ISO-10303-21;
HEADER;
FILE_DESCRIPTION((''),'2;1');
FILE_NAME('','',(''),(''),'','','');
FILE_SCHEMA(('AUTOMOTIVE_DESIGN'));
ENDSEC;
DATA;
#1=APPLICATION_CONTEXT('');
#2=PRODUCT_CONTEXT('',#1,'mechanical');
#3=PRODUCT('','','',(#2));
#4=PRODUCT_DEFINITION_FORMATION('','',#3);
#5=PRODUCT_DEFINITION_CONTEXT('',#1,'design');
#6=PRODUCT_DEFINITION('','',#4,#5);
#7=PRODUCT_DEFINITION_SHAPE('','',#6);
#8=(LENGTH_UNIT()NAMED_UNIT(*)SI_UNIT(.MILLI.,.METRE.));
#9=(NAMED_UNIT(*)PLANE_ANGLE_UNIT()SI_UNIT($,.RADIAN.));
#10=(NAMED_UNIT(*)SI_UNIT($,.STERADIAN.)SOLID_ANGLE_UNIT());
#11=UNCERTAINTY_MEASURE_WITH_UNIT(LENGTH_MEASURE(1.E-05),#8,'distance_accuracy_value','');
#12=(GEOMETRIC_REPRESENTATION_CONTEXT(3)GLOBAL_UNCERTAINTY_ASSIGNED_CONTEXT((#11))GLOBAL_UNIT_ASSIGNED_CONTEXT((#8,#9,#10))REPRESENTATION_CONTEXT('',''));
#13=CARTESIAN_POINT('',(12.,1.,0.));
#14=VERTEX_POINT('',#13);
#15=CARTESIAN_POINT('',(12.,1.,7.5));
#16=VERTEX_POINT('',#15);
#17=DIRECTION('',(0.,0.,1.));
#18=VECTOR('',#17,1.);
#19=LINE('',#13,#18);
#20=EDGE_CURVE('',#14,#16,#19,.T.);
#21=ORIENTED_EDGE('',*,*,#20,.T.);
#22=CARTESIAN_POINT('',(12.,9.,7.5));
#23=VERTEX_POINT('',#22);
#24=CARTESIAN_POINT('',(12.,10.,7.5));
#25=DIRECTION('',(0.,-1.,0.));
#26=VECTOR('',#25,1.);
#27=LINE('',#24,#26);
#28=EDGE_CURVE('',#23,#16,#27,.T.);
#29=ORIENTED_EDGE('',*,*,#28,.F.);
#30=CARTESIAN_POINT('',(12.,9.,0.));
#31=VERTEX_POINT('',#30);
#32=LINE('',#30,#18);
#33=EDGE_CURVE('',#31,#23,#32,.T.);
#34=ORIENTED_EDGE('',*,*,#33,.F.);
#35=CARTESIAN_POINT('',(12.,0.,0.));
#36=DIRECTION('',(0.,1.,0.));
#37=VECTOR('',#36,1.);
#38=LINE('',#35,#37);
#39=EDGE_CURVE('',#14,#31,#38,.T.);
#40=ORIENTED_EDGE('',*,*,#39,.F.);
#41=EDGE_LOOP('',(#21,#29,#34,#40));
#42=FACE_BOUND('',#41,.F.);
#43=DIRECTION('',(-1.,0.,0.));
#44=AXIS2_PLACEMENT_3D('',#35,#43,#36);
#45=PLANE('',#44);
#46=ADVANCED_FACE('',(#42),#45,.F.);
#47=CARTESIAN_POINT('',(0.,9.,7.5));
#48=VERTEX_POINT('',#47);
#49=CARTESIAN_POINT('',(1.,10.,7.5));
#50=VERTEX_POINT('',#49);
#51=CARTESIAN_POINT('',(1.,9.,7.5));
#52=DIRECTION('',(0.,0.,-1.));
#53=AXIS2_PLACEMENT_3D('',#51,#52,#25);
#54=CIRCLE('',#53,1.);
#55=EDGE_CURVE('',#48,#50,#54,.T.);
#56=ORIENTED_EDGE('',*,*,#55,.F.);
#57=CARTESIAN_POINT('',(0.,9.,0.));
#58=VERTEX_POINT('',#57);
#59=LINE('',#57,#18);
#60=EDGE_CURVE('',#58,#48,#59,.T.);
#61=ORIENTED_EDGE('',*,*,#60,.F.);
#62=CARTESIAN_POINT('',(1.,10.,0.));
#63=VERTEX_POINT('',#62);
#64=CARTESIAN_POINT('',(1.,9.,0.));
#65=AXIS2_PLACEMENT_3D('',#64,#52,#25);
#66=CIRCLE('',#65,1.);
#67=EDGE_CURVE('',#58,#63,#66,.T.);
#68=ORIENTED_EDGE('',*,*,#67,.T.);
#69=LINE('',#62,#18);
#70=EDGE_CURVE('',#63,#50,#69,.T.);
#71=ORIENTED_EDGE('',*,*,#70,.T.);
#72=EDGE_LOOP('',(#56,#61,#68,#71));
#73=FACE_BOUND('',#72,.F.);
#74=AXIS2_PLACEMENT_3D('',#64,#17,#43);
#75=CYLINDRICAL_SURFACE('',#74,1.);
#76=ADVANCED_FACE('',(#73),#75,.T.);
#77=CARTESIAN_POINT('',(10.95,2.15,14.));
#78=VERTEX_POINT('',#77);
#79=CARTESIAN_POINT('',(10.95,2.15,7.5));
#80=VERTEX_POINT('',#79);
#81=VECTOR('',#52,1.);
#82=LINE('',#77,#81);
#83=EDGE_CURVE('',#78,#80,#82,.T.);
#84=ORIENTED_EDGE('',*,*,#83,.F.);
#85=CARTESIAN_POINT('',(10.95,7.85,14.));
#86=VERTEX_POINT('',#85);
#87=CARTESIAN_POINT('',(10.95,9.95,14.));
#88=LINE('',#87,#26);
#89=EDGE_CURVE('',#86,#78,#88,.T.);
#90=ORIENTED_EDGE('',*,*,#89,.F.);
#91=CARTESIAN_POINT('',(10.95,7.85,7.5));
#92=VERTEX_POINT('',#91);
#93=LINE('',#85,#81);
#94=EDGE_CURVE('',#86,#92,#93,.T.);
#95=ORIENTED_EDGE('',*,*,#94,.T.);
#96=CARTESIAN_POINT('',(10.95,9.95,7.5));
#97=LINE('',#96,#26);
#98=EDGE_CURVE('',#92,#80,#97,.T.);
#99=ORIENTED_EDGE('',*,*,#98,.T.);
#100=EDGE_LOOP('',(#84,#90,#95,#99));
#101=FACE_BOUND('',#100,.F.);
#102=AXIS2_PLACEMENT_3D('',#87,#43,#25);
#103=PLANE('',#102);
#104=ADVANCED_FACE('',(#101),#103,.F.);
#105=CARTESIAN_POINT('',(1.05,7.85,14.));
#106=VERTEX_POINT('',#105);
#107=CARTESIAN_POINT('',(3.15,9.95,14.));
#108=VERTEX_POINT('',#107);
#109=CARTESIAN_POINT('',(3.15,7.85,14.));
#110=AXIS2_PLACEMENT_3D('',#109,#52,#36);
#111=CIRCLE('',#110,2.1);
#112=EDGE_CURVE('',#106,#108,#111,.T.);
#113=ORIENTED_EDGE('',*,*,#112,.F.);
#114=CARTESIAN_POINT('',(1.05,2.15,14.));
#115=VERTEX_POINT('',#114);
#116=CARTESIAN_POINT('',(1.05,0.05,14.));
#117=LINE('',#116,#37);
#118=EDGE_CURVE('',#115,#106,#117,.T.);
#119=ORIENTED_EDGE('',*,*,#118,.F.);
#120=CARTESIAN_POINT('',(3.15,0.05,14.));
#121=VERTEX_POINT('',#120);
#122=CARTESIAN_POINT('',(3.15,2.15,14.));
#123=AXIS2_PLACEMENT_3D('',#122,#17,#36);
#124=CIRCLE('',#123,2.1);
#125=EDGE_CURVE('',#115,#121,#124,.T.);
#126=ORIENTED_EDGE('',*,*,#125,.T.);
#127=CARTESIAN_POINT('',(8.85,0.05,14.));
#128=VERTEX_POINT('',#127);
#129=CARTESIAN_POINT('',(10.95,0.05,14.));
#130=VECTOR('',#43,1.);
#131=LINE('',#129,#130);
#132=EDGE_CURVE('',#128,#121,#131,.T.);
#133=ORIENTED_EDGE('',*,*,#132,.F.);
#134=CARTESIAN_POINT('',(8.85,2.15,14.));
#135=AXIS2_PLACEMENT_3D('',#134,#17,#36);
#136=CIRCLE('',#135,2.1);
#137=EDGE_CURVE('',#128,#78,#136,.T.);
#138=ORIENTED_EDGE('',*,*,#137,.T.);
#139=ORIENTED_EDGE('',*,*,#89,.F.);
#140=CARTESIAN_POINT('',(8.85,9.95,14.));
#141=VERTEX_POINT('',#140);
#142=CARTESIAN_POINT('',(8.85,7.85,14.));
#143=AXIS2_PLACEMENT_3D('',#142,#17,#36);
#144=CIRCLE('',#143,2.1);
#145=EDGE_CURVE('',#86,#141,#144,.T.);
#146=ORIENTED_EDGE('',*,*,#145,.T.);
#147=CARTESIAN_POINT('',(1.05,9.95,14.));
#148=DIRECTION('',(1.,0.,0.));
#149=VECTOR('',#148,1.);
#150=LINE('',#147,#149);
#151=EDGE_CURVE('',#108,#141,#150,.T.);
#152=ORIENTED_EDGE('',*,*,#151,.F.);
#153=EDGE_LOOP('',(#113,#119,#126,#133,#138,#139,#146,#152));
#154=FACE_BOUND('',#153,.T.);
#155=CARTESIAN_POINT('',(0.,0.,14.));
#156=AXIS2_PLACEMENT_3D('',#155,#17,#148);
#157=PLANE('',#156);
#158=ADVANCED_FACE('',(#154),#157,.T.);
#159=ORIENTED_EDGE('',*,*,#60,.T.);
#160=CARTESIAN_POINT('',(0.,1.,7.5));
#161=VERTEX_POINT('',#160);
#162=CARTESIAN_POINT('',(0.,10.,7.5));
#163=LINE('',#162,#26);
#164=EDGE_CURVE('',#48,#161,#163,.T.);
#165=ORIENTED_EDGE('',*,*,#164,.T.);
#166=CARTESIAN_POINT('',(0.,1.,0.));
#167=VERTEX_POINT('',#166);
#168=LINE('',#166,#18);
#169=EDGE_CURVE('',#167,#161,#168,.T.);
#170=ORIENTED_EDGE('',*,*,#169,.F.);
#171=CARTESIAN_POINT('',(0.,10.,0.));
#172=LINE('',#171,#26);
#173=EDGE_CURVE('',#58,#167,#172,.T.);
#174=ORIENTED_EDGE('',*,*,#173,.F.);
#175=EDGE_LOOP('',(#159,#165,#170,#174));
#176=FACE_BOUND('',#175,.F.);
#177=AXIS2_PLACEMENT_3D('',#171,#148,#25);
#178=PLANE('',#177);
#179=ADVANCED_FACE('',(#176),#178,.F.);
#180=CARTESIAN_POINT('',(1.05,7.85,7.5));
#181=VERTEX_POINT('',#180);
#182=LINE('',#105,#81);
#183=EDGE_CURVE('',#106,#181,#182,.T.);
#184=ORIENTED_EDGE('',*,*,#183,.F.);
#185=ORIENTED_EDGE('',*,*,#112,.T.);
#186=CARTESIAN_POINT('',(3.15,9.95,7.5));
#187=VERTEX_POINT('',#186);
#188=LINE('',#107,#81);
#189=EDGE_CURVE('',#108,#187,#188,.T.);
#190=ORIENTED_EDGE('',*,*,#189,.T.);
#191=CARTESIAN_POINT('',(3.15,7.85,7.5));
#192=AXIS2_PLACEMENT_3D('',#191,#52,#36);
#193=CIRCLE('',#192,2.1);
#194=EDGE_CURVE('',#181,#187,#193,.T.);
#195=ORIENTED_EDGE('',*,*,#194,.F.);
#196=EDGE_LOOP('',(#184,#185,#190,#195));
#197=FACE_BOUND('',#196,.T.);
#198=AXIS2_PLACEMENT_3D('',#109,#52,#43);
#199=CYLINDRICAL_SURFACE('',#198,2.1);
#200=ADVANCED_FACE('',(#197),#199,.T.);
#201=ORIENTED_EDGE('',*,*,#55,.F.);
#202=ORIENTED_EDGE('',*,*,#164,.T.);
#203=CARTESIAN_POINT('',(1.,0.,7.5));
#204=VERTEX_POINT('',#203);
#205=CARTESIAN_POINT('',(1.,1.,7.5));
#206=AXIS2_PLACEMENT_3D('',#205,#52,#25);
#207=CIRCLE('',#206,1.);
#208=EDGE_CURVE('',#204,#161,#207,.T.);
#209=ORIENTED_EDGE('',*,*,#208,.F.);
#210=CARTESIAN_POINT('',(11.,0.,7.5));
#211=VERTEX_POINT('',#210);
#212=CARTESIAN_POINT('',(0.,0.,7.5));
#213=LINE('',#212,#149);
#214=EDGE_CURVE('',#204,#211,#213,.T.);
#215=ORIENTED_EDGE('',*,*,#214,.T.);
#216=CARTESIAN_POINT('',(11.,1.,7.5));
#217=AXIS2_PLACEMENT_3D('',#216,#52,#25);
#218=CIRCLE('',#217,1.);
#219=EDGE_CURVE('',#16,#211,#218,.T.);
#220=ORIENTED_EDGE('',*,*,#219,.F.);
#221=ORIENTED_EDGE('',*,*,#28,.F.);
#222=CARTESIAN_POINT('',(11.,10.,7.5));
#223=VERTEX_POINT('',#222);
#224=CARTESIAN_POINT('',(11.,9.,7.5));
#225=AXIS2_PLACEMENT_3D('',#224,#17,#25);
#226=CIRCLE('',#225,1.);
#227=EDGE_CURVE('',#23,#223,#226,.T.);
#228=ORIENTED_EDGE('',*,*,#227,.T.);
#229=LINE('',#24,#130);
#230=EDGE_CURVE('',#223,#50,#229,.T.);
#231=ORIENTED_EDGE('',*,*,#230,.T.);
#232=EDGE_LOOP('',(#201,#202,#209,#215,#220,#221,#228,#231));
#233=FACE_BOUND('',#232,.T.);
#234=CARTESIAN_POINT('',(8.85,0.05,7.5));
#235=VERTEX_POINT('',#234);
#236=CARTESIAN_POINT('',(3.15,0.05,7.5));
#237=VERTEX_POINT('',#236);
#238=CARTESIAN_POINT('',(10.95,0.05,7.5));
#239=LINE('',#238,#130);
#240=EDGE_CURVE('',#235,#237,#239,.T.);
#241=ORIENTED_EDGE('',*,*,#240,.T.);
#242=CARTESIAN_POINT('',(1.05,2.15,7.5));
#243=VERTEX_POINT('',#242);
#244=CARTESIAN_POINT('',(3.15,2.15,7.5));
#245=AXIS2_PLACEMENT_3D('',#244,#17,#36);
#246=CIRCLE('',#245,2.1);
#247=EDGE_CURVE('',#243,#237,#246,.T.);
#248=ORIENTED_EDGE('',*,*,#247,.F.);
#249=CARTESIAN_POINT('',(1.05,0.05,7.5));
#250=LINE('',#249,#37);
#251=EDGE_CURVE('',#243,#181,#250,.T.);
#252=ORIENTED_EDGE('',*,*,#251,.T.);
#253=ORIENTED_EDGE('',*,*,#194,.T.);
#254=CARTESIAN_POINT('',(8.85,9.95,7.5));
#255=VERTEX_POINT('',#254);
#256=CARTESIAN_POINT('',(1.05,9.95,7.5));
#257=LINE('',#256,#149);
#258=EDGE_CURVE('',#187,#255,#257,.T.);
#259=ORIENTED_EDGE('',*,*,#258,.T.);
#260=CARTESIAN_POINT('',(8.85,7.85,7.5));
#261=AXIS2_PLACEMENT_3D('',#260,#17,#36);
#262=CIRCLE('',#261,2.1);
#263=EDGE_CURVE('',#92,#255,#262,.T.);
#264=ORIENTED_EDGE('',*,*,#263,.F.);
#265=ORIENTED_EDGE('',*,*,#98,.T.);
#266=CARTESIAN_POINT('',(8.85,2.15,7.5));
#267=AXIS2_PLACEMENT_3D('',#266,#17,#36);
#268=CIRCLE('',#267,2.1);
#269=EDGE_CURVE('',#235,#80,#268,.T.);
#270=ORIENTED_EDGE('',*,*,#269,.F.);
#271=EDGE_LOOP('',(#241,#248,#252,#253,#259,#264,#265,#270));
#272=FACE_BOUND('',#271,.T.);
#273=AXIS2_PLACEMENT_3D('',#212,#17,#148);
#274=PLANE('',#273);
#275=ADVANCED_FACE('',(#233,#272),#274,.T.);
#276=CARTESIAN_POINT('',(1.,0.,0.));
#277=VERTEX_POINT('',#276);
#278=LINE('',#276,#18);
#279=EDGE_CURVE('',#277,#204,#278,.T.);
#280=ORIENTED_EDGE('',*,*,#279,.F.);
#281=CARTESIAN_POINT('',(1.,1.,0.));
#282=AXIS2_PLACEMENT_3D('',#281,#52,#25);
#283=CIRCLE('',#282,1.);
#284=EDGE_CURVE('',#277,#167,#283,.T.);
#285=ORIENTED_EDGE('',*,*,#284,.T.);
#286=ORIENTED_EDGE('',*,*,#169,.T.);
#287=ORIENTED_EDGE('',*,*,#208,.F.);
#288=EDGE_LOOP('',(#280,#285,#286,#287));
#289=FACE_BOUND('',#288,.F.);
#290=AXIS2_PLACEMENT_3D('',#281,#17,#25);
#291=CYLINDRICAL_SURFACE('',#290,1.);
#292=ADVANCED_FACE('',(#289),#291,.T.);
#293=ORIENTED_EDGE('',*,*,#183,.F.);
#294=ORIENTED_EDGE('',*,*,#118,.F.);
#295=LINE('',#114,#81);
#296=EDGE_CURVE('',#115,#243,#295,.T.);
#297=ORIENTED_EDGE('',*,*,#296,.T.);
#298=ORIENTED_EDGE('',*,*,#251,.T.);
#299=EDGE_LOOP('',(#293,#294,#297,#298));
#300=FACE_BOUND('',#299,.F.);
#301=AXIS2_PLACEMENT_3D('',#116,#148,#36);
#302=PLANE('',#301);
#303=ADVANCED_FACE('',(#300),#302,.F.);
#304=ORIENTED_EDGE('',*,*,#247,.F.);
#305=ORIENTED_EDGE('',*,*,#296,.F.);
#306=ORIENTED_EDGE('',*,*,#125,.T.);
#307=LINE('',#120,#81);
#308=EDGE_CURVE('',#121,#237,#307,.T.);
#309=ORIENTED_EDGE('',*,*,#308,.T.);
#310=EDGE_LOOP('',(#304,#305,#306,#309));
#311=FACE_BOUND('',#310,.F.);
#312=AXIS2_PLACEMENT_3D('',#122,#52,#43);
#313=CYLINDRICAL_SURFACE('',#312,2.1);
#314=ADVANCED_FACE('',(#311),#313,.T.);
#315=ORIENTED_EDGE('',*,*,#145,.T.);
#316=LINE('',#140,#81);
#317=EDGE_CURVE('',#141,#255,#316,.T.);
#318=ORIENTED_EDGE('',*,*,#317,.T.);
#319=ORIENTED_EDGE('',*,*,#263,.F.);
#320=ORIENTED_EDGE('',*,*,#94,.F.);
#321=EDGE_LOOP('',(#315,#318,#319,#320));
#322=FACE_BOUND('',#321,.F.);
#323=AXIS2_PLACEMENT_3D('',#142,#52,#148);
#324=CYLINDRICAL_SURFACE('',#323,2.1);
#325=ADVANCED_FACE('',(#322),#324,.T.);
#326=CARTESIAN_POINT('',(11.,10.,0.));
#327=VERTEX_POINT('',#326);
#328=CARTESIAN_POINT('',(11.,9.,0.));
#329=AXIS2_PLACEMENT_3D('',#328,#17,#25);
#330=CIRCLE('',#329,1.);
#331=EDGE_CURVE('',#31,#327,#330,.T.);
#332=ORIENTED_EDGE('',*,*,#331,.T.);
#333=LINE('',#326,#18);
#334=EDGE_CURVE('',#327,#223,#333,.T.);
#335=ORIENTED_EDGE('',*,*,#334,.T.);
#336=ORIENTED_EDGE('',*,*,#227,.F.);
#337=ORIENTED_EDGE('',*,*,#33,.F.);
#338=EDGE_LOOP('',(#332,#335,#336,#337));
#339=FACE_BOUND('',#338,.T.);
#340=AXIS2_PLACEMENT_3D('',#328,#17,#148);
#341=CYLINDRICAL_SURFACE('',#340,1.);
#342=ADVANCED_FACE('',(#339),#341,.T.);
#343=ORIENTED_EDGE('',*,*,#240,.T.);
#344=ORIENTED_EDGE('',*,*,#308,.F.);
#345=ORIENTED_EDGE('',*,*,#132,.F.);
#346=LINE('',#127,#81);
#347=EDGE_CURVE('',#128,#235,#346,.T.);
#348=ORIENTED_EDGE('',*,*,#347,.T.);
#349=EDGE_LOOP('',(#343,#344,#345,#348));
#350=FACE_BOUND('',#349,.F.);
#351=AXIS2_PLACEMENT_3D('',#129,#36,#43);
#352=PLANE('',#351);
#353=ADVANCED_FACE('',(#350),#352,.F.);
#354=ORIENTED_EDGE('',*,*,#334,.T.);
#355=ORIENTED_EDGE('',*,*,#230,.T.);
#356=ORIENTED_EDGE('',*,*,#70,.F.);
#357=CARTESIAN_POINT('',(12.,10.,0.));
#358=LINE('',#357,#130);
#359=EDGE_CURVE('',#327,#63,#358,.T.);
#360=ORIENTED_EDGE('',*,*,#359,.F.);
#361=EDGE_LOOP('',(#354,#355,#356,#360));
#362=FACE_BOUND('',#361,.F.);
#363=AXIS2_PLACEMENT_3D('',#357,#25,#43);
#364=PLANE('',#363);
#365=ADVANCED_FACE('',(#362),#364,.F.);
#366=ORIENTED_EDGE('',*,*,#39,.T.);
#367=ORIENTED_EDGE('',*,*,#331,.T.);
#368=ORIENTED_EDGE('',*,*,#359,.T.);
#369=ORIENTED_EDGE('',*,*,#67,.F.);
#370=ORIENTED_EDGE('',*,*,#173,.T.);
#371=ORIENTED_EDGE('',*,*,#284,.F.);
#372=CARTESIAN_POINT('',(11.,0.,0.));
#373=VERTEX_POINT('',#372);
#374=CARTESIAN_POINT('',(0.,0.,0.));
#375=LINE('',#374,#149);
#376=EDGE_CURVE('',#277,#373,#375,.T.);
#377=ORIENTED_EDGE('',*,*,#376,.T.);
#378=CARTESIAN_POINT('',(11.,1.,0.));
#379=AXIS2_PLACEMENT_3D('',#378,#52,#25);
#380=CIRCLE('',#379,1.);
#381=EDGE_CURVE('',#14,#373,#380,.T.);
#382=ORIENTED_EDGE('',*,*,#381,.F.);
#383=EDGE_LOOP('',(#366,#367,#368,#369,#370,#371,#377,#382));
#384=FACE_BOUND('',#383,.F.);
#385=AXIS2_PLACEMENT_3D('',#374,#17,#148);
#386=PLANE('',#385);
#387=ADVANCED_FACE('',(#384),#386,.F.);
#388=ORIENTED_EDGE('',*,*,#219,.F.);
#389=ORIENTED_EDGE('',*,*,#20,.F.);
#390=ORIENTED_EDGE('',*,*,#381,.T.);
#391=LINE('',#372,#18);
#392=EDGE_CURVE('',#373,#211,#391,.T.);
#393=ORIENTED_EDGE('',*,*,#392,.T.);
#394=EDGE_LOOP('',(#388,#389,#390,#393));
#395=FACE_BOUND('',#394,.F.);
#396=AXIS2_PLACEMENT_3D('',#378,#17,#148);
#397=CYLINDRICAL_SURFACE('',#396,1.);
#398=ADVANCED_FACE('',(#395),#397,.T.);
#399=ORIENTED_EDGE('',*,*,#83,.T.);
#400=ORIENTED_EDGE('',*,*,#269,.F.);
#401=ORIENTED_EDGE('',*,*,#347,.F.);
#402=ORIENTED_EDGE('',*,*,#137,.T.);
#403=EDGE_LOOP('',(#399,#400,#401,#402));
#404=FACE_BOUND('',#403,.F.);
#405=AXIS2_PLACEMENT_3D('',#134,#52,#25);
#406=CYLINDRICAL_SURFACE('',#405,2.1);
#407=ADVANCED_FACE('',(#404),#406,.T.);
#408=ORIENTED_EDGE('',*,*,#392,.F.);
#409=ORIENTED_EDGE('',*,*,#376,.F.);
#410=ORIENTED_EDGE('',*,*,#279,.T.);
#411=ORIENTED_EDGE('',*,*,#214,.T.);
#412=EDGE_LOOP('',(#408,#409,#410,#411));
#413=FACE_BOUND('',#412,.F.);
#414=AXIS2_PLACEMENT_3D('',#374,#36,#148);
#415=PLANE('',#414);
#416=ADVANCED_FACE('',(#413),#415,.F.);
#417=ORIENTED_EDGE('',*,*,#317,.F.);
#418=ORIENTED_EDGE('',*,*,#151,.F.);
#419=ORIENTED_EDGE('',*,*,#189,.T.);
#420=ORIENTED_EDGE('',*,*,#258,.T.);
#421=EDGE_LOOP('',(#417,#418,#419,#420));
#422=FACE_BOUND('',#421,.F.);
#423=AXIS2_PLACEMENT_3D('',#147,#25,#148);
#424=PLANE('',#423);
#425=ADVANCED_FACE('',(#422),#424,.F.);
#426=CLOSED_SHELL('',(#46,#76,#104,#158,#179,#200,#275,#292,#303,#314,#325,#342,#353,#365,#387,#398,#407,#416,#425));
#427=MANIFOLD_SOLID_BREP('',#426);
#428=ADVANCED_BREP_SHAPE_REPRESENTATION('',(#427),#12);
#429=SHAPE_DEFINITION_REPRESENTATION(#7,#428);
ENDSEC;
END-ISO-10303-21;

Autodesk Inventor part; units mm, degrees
ref_plane "YZ Plane" through (0, 0, 0) normal (1, 0, 0) x (0, 1, 0)
ref_plane "XZ Plane" through (0, 0, 0) normal (0, 1, 0) x (-1, 0, 0)
ref_plane "XY Plane" through (0, 0, 0) normal (0, 0, 1) x (1, 0, 0)
sketch "Skizze1" plane through (0, 0, 0) normal (0, 0, 1) x (1, 0, 0)
  line L0 (0, 0) -> (12, 0)
  line L1 (12, 0) -> (12, 10)
  line L2 (12, 10) -> (0, 10)
  line L3 (0, 10) -> (0, 0)
  dimension "d0" = 12
  dimension "d1" = 10
extrude "Extrusion1" add sketch "Skizze1" along normal blind 14
sketch "Skizze2" plane through (0, 0, 14) normal (0, 0, 1) x (1, 0, 0)
  line L0 (1.05, 9.95) -> (10.95, 9.95)
  line L1 (10.95, 9.95) -> (10.95, 0.05)
  line L2 (10.95, 0.05) -> (1.05, 0.05)
  line L3 (1.05, 0.05) -> (1.05, 9.95)
  line L4 (12, 10) -> (0, 10) projected
  line L5 (0, 10) -> (0, 0) projected
  line L6 (0, 0) -> (12, 0) projected
  line L7 (0, 10) -> (12, 10)
  line L8 (12, 10) -> (12, 0)
  line L9 (12, 0) -> (0, 0)
  line L10 (0, 0) -> (0, 10)
  point P0 (6, 9.95)
  point P1 (6, 10)
  point P2 (1.05, 5)
  point P3 (0, 5)
  dimension "d4" = 9.9
  dimension "d5" = 9.9
extrude "Extrusion2" cut sketch "Skizze2" against normal blind 6.5
fillet "Rundung1" radius 2.1 4 edges at (1.05, 0.05, 10.75) (10.95, 0.05, 10.75) (10.95, 9.95, 10.75) (1.05, 9.95, 10.75)
fillet "Rundung2" radius 1 4 edges at (0, 0, 3.75) (0, 10, 3.75) (12, 0, 3.75) (12, 10, 3.75)
properties part number "Taster"
